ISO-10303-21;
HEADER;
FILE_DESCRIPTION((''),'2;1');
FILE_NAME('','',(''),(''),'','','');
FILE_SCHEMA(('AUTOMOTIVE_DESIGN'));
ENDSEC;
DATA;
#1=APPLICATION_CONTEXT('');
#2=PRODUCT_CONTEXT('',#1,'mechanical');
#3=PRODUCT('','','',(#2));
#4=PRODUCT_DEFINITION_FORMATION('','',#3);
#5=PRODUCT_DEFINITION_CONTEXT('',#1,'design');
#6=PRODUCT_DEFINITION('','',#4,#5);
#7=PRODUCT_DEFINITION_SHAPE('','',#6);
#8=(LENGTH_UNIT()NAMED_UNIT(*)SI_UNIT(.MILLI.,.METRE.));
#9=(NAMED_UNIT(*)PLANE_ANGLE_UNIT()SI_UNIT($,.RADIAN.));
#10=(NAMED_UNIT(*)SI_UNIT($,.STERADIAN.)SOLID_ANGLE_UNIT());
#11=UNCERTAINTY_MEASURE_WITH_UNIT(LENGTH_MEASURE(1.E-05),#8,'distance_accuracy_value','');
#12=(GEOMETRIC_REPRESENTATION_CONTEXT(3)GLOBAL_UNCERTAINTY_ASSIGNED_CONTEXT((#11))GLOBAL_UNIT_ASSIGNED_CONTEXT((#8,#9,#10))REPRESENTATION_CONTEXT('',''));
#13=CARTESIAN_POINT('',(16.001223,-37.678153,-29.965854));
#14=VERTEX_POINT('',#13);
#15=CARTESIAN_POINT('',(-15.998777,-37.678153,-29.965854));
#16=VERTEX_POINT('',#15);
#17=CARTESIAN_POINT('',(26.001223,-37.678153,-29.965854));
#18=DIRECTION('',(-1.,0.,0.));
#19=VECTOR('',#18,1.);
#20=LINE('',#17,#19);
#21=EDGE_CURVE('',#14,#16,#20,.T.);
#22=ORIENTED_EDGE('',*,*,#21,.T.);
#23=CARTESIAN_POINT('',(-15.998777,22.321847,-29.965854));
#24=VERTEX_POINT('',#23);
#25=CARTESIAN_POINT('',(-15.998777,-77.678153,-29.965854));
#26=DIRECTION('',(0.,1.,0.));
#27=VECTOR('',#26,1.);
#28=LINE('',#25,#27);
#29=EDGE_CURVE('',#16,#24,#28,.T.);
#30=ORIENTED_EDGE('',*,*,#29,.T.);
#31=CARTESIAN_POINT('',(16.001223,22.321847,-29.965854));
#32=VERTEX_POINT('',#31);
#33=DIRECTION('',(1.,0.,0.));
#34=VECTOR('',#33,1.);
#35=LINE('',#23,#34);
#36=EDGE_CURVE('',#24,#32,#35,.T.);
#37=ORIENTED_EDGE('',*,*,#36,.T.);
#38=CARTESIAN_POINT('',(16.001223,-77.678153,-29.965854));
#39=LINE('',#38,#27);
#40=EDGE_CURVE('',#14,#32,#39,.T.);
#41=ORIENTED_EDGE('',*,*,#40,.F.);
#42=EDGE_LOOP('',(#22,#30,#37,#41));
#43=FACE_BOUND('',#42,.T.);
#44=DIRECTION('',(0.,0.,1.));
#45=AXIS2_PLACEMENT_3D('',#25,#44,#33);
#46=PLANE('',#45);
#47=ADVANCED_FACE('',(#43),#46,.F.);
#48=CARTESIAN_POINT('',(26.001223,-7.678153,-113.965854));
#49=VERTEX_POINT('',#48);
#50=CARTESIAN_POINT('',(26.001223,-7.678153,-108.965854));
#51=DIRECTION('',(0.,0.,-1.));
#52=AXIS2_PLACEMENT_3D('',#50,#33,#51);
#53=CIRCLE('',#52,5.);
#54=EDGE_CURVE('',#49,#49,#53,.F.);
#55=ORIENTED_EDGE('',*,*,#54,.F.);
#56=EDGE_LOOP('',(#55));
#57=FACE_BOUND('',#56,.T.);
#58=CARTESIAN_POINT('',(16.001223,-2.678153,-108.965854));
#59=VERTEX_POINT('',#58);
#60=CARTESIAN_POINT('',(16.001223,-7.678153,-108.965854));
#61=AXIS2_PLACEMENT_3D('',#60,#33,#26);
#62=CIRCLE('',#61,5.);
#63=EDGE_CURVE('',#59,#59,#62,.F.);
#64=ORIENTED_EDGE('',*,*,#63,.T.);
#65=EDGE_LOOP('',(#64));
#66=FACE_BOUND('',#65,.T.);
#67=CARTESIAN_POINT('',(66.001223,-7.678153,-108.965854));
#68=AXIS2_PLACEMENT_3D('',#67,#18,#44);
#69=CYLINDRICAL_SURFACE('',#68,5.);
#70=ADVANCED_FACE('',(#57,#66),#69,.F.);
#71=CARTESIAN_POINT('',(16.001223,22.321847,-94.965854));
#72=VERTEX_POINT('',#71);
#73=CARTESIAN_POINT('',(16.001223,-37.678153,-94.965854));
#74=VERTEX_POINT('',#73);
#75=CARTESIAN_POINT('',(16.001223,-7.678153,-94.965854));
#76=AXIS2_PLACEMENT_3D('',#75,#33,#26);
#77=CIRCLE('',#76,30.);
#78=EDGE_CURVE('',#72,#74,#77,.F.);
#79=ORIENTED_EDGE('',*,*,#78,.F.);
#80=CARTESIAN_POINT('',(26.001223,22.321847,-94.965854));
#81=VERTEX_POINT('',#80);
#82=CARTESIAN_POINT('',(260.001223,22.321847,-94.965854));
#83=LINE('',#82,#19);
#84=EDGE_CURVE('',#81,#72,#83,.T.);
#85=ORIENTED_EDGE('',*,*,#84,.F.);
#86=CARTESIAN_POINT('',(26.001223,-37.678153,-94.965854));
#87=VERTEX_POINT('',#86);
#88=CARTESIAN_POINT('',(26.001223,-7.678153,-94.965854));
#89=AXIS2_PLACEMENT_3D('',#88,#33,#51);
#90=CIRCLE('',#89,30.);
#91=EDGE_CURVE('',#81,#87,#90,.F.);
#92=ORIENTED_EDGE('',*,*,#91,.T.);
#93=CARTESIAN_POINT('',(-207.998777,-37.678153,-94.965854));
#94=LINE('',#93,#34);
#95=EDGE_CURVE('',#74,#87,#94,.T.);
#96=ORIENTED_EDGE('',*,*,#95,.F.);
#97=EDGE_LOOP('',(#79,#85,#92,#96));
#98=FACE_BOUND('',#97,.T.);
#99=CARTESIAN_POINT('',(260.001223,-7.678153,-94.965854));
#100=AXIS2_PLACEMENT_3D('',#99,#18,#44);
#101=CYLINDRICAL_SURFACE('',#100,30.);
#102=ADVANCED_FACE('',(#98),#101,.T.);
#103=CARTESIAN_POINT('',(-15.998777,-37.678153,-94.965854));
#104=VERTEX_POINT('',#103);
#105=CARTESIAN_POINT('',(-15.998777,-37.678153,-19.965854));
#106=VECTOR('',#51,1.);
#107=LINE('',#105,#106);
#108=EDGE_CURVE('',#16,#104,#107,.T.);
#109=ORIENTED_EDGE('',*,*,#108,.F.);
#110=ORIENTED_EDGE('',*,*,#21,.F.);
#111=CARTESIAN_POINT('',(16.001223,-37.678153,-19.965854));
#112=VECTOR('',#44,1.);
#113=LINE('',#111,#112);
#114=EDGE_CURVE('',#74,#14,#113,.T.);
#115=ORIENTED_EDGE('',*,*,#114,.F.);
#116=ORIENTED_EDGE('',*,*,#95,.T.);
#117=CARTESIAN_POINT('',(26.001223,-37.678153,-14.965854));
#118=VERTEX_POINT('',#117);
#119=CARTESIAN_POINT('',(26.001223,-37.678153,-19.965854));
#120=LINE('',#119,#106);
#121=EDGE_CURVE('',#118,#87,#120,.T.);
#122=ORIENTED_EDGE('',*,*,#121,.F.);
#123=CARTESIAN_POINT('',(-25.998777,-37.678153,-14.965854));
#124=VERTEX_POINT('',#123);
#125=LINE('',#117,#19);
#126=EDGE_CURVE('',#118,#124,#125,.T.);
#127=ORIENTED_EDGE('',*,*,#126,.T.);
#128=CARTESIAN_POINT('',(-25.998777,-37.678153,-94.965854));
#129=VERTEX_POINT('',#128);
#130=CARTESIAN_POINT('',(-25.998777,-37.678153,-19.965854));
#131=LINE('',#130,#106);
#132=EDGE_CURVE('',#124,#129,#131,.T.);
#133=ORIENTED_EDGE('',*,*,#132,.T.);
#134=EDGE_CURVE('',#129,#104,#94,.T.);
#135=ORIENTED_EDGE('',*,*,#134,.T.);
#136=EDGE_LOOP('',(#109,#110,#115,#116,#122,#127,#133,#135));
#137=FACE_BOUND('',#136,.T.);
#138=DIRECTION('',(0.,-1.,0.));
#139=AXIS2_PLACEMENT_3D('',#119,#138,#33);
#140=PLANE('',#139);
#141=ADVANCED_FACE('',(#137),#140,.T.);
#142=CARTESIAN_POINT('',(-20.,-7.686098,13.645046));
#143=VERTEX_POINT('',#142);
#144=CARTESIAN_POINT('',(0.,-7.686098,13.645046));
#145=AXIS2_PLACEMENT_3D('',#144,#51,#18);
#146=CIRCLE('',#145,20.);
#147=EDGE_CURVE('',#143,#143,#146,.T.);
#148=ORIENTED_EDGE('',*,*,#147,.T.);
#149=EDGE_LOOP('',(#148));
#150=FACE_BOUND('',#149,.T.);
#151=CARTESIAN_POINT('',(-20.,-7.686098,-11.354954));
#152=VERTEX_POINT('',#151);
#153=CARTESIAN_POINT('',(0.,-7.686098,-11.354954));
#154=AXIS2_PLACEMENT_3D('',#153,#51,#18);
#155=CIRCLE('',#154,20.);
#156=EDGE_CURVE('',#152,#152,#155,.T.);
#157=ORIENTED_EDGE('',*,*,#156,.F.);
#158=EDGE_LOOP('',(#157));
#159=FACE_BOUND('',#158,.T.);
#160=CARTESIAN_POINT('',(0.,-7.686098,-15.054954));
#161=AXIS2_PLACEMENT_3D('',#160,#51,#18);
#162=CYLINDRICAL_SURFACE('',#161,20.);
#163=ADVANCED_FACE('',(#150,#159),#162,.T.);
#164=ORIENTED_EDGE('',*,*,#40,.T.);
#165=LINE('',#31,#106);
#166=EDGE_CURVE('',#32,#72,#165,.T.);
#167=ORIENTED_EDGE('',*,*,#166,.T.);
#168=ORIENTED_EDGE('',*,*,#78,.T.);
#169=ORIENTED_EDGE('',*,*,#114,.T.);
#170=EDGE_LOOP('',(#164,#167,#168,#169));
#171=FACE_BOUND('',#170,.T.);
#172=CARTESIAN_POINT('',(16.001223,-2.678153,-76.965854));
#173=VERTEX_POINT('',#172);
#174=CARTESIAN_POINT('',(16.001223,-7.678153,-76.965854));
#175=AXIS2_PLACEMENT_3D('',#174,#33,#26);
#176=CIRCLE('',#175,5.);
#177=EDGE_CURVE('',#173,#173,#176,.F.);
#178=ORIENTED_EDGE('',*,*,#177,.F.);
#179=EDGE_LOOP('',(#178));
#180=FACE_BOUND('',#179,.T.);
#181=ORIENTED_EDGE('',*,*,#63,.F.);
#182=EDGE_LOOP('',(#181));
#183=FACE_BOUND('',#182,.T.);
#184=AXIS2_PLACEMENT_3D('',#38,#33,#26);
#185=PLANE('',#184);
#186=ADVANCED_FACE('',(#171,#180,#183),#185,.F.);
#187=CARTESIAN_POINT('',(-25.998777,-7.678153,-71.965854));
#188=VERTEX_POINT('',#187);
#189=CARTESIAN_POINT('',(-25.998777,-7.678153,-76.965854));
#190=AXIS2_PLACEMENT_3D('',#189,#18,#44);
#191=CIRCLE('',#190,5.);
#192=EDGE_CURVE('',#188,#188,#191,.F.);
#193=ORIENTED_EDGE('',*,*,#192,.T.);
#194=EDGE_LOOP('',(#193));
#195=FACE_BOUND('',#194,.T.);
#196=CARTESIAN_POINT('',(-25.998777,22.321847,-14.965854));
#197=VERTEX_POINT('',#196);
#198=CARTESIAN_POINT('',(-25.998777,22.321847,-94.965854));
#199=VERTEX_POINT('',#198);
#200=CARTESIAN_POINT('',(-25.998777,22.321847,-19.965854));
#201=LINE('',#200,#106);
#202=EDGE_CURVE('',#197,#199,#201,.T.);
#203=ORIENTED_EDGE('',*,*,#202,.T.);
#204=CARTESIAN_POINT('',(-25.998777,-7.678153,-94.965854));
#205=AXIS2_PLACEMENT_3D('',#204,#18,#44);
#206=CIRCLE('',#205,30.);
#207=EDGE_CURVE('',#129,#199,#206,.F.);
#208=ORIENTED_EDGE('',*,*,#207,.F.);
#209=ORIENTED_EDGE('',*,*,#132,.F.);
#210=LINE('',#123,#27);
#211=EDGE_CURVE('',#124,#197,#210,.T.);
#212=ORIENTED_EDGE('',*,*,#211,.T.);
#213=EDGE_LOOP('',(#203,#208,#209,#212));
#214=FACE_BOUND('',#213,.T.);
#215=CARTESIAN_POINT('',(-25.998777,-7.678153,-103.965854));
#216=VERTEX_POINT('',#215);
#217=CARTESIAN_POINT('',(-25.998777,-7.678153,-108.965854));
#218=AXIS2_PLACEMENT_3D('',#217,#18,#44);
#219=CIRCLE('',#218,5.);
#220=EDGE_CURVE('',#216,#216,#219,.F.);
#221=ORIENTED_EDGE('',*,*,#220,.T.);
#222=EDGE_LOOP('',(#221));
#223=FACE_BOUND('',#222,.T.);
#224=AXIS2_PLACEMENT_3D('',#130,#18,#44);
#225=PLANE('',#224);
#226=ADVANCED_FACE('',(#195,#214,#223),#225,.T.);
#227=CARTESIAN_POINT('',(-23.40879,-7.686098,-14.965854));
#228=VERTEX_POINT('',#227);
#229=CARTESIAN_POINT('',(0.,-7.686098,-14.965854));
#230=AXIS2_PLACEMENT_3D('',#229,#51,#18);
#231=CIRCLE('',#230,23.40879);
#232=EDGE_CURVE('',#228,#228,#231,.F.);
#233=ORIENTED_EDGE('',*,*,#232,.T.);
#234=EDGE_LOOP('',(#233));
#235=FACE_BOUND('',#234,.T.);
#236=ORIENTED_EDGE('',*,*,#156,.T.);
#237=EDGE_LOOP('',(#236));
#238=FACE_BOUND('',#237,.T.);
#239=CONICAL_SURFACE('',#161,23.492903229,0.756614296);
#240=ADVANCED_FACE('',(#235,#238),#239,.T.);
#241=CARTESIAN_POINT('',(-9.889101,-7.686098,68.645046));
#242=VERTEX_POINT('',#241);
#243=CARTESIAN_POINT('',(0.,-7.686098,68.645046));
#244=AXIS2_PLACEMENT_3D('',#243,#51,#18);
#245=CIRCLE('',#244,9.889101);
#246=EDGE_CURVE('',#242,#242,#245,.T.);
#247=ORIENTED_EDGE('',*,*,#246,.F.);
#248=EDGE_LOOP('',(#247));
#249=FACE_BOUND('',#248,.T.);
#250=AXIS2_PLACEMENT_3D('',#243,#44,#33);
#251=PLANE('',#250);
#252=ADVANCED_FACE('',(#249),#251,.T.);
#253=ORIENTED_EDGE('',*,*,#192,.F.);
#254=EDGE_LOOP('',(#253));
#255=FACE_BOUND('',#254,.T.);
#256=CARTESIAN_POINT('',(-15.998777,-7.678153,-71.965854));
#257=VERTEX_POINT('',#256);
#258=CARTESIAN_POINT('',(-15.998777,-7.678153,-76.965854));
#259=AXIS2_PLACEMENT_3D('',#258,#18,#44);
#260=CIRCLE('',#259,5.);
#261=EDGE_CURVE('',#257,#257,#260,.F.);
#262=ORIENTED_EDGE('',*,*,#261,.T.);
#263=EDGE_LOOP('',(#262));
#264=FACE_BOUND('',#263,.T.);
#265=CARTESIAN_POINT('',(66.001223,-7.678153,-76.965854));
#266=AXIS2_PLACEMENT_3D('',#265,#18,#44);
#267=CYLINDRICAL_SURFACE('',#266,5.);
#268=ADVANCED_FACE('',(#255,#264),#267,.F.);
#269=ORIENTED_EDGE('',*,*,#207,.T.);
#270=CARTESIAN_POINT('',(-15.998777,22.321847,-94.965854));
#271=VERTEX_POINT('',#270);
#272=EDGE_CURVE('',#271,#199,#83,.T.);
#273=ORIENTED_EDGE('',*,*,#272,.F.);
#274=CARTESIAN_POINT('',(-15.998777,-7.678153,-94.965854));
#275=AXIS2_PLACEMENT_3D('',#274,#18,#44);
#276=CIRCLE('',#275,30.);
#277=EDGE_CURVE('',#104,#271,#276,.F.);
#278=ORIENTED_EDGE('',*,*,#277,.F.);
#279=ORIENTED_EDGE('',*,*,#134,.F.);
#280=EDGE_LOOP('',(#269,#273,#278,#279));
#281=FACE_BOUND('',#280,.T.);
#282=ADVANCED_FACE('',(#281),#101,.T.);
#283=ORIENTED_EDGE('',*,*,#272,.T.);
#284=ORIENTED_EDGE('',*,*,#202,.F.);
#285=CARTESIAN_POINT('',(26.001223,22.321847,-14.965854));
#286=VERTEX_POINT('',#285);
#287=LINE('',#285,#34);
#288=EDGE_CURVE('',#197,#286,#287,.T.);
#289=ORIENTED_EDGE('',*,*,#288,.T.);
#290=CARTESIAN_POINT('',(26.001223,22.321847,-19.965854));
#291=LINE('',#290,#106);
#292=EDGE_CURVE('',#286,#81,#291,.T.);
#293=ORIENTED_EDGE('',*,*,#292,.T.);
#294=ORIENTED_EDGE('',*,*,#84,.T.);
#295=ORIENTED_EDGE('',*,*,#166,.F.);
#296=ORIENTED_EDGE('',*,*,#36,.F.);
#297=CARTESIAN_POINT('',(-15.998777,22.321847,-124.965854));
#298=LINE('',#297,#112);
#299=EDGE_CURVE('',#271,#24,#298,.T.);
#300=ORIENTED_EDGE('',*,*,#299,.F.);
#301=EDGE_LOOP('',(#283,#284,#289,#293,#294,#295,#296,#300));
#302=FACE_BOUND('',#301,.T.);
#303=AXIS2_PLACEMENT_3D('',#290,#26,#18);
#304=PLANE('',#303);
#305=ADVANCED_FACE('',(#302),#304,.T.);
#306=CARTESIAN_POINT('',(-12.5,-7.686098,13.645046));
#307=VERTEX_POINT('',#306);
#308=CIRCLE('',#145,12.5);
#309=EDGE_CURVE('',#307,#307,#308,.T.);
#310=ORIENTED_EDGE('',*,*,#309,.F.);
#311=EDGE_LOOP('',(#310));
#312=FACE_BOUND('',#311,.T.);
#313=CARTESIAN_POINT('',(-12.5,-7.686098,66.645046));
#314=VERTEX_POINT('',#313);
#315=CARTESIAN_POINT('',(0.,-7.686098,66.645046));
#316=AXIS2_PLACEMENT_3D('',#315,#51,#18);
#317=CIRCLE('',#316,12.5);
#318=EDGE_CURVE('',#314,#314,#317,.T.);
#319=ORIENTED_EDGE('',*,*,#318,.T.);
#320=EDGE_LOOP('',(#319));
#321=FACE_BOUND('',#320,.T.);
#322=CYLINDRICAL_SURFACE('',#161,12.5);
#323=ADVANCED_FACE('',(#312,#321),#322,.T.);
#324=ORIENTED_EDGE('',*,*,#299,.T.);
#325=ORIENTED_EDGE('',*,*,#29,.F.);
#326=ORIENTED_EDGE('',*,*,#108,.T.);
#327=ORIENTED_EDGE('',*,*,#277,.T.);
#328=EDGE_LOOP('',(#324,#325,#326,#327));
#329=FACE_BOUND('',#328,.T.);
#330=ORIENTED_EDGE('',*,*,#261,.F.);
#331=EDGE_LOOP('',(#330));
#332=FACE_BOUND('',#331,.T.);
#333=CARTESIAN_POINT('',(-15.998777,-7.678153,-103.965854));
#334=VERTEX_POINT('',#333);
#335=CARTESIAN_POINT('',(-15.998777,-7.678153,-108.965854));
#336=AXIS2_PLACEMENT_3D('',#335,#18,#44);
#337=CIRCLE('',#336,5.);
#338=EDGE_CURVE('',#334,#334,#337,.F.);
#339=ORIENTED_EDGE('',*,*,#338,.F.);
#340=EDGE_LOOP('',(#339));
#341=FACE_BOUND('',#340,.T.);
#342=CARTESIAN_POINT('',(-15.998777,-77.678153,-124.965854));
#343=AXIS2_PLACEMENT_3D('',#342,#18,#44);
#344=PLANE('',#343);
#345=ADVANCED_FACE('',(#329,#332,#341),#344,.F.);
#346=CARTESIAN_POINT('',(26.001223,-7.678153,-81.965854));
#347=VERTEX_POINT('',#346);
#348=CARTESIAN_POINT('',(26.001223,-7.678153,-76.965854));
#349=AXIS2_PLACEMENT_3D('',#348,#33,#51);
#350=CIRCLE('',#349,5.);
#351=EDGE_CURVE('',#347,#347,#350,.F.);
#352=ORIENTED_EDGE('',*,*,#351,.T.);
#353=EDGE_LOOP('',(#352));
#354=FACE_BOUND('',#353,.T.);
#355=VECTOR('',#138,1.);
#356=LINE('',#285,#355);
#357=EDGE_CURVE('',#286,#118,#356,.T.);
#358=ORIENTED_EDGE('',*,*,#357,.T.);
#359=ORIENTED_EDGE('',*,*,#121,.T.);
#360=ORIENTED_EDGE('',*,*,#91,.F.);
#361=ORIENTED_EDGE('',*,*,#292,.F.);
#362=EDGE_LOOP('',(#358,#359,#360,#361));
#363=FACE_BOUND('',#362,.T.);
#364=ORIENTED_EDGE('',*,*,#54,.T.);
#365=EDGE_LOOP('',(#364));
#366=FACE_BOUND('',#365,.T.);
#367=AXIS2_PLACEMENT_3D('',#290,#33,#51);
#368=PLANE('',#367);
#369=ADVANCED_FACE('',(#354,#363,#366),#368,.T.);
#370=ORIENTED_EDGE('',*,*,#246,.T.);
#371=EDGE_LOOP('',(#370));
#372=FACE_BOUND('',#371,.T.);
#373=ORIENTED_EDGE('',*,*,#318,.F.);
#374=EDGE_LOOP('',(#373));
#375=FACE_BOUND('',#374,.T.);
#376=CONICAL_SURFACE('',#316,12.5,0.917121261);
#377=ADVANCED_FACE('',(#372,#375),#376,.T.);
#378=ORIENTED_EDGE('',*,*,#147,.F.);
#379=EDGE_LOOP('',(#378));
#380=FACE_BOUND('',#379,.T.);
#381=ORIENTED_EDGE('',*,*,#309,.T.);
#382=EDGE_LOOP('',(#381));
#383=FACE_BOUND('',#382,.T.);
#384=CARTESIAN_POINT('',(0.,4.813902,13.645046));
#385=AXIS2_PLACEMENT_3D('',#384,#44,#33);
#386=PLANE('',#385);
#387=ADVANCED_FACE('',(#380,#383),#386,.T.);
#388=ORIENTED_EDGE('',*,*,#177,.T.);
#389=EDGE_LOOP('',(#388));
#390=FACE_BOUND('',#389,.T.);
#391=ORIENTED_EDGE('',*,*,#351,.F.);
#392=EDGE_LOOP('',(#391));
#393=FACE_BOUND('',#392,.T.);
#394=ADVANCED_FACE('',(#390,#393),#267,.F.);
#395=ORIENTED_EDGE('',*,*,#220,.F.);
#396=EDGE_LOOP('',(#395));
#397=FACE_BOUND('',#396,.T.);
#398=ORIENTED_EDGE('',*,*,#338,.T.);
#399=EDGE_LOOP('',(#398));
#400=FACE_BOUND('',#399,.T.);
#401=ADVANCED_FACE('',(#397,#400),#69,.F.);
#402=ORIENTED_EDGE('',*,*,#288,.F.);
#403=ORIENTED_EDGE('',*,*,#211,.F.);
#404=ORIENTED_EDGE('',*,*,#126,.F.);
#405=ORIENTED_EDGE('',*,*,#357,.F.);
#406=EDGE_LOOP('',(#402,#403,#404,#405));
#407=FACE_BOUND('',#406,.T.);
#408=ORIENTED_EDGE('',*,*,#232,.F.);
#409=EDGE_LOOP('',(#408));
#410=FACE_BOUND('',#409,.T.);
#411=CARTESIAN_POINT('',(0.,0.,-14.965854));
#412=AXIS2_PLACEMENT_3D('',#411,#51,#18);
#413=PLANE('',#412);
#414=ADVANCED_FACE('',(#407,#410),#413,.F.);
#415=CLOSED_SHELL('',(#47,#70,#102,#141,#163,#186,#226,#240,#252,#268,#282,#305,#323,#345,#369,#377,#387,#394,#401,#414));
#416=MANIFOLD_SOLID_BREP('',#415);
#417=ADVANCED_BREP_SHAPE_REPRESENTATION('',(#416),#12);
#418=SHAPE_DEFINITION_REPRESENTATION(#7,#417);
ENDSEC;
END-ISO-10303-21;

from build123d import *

# Parameters (mm, degrees)
BOSS_EXTRUDE1_DEPTH      = 5
BOSS_EXTRUDE1_DEPTH_BACK = 105
SKETCH5_W                = 32
SKETCH5_H                = 95
CUT_EXTRUDE1_DEPTH       = 100
CUT_EXTRUDE2_DEPTH       = 40
CUT_EXTRUDE2_DEPTH_BACK  = 113
SKETCH7_R                = 5
CUT_EXTRUDE4_DEPTH       = 234
CUT_EXTRUDE4_DEPTH_BACK  = 234


with BuildPart() as part:
    # Sketch2 → Revolve2 (revolve)
    with BuildSketch(Plane(origin=(0, 0, 0), x_dir=(0, 0, -1), z_dir=(1, 0, 0))):
        Polygon((15.054954353, -7.686097714), (-68.645045647, -7.686097714), (-68.645045647, 2.203003026), (-66.645045647, 4.813902286), (-13.645045647, 4.813902286), (-13.645045647, 12.313902286), (11.354954353, 12.313902286), (15.054954353, 15.806805515), align=None)
    revolve(axis=Axis((0, -7.686097714, -15.054954353), (0, 0, 1)))

    # 3DSketch2 → Boss-Extrude1 (add, two sides: drawn at the far end of the back side and taken through both)
    with BuildSketch(Plane(origin=(26.001222768, 22.321847461, -19.965853613), x_dir=(-0.6549305384178419, -0.7556890827898176, 0), z_dir=(0, 0, 1)).offset(-BOSS_EXTRUDE1_DEPTH_BACK)):
        Polygon((0, 0), (34.056387998, -39.295832305), (79.397732965, 0), (45.341344967, 39.295832305), align=None)
    extrude(amount=BOSS_EXTRUDE1_DEPTH + BOSS_EXTRUDE1_DEPTH_BACK)

    # Sketch5 → Cut-Extrude1 (cut)
    with BuildSketch(Plane(origin=(0, 22.321847461, 0), x_dir=(1, 0, 0), z_dir=(0, 1, 0))):
        with Locations((0.001222768, 77.465853613)):
            Rectangle(SKETCH5_W, SKETCH5_H)
    extrude(amount=-CUT_EXTRUDE1_DEPTH, mode=Mode.SUBTRACT)

    # Sketch7 → Cut-Extrude2 (cut, two sides: drawn at the far end of the back side and taken through both)
    with BuildSketch(Plane(origin=(26.001222768, 0, 0), x_dir=(0, 0, -1), z_dir=(1, 0, 0)).offset(-CUT_EXTRUDE2_DEPTH_BACK)):
        with Locations((76.965853613, -7.678152539)):
            Circle(SKETCH7_R)
        with Locations((108.965853613, -7.678152539)):
            Circle(SKETCH7_R)
    extrude(amount=CUT_EXTRUDE2_DEPTH + CUT_EXTRUDE2_DEPTH_BACK, mode=Mode.SUBTRACT)

    # Sketch8 → Cut-Extrude4 (cut, two sides: drawn at the far end of the back side and taken through both)
    with BuildSketch(Plane(origin=(26.001222768, 0, 0), x_dir=(0, 0, -1), z_dir=(1, 0, 0)).offset(-CUT_EXTRUDE4_DEPTH_BACK)):
        with BuildLine():
            Line((124.965853613, -37.678152539), (124.965853613, -7.678152493))
            ThreePointArc((124.965853613, -7.678152493), (116.179057065, -28.891355958), (94.965853613, -37.678152539))
            Line((94.965853613, -37.678152539), (124.965853613, -37.678152539))
        make_face()
        with BuildLine():
            Line((124.965853613, -7.678152493), (124.965853613, 22.321847461))
            Line((124.965853613, 22.321847461), (94.965853613, 22.321847461))
            ThreePointArc((94.965853613, 22.321847461), (116.179057032, 13.535050913), (124.965853613, -7.678152493))
        make_face()
    extrude(amount=CUT_EXTRUDE4_DEPTH + CUT_EXTRUDE4_DEPTH_BACK, mode=Mode.SUBTRACT)


solid = part.part
